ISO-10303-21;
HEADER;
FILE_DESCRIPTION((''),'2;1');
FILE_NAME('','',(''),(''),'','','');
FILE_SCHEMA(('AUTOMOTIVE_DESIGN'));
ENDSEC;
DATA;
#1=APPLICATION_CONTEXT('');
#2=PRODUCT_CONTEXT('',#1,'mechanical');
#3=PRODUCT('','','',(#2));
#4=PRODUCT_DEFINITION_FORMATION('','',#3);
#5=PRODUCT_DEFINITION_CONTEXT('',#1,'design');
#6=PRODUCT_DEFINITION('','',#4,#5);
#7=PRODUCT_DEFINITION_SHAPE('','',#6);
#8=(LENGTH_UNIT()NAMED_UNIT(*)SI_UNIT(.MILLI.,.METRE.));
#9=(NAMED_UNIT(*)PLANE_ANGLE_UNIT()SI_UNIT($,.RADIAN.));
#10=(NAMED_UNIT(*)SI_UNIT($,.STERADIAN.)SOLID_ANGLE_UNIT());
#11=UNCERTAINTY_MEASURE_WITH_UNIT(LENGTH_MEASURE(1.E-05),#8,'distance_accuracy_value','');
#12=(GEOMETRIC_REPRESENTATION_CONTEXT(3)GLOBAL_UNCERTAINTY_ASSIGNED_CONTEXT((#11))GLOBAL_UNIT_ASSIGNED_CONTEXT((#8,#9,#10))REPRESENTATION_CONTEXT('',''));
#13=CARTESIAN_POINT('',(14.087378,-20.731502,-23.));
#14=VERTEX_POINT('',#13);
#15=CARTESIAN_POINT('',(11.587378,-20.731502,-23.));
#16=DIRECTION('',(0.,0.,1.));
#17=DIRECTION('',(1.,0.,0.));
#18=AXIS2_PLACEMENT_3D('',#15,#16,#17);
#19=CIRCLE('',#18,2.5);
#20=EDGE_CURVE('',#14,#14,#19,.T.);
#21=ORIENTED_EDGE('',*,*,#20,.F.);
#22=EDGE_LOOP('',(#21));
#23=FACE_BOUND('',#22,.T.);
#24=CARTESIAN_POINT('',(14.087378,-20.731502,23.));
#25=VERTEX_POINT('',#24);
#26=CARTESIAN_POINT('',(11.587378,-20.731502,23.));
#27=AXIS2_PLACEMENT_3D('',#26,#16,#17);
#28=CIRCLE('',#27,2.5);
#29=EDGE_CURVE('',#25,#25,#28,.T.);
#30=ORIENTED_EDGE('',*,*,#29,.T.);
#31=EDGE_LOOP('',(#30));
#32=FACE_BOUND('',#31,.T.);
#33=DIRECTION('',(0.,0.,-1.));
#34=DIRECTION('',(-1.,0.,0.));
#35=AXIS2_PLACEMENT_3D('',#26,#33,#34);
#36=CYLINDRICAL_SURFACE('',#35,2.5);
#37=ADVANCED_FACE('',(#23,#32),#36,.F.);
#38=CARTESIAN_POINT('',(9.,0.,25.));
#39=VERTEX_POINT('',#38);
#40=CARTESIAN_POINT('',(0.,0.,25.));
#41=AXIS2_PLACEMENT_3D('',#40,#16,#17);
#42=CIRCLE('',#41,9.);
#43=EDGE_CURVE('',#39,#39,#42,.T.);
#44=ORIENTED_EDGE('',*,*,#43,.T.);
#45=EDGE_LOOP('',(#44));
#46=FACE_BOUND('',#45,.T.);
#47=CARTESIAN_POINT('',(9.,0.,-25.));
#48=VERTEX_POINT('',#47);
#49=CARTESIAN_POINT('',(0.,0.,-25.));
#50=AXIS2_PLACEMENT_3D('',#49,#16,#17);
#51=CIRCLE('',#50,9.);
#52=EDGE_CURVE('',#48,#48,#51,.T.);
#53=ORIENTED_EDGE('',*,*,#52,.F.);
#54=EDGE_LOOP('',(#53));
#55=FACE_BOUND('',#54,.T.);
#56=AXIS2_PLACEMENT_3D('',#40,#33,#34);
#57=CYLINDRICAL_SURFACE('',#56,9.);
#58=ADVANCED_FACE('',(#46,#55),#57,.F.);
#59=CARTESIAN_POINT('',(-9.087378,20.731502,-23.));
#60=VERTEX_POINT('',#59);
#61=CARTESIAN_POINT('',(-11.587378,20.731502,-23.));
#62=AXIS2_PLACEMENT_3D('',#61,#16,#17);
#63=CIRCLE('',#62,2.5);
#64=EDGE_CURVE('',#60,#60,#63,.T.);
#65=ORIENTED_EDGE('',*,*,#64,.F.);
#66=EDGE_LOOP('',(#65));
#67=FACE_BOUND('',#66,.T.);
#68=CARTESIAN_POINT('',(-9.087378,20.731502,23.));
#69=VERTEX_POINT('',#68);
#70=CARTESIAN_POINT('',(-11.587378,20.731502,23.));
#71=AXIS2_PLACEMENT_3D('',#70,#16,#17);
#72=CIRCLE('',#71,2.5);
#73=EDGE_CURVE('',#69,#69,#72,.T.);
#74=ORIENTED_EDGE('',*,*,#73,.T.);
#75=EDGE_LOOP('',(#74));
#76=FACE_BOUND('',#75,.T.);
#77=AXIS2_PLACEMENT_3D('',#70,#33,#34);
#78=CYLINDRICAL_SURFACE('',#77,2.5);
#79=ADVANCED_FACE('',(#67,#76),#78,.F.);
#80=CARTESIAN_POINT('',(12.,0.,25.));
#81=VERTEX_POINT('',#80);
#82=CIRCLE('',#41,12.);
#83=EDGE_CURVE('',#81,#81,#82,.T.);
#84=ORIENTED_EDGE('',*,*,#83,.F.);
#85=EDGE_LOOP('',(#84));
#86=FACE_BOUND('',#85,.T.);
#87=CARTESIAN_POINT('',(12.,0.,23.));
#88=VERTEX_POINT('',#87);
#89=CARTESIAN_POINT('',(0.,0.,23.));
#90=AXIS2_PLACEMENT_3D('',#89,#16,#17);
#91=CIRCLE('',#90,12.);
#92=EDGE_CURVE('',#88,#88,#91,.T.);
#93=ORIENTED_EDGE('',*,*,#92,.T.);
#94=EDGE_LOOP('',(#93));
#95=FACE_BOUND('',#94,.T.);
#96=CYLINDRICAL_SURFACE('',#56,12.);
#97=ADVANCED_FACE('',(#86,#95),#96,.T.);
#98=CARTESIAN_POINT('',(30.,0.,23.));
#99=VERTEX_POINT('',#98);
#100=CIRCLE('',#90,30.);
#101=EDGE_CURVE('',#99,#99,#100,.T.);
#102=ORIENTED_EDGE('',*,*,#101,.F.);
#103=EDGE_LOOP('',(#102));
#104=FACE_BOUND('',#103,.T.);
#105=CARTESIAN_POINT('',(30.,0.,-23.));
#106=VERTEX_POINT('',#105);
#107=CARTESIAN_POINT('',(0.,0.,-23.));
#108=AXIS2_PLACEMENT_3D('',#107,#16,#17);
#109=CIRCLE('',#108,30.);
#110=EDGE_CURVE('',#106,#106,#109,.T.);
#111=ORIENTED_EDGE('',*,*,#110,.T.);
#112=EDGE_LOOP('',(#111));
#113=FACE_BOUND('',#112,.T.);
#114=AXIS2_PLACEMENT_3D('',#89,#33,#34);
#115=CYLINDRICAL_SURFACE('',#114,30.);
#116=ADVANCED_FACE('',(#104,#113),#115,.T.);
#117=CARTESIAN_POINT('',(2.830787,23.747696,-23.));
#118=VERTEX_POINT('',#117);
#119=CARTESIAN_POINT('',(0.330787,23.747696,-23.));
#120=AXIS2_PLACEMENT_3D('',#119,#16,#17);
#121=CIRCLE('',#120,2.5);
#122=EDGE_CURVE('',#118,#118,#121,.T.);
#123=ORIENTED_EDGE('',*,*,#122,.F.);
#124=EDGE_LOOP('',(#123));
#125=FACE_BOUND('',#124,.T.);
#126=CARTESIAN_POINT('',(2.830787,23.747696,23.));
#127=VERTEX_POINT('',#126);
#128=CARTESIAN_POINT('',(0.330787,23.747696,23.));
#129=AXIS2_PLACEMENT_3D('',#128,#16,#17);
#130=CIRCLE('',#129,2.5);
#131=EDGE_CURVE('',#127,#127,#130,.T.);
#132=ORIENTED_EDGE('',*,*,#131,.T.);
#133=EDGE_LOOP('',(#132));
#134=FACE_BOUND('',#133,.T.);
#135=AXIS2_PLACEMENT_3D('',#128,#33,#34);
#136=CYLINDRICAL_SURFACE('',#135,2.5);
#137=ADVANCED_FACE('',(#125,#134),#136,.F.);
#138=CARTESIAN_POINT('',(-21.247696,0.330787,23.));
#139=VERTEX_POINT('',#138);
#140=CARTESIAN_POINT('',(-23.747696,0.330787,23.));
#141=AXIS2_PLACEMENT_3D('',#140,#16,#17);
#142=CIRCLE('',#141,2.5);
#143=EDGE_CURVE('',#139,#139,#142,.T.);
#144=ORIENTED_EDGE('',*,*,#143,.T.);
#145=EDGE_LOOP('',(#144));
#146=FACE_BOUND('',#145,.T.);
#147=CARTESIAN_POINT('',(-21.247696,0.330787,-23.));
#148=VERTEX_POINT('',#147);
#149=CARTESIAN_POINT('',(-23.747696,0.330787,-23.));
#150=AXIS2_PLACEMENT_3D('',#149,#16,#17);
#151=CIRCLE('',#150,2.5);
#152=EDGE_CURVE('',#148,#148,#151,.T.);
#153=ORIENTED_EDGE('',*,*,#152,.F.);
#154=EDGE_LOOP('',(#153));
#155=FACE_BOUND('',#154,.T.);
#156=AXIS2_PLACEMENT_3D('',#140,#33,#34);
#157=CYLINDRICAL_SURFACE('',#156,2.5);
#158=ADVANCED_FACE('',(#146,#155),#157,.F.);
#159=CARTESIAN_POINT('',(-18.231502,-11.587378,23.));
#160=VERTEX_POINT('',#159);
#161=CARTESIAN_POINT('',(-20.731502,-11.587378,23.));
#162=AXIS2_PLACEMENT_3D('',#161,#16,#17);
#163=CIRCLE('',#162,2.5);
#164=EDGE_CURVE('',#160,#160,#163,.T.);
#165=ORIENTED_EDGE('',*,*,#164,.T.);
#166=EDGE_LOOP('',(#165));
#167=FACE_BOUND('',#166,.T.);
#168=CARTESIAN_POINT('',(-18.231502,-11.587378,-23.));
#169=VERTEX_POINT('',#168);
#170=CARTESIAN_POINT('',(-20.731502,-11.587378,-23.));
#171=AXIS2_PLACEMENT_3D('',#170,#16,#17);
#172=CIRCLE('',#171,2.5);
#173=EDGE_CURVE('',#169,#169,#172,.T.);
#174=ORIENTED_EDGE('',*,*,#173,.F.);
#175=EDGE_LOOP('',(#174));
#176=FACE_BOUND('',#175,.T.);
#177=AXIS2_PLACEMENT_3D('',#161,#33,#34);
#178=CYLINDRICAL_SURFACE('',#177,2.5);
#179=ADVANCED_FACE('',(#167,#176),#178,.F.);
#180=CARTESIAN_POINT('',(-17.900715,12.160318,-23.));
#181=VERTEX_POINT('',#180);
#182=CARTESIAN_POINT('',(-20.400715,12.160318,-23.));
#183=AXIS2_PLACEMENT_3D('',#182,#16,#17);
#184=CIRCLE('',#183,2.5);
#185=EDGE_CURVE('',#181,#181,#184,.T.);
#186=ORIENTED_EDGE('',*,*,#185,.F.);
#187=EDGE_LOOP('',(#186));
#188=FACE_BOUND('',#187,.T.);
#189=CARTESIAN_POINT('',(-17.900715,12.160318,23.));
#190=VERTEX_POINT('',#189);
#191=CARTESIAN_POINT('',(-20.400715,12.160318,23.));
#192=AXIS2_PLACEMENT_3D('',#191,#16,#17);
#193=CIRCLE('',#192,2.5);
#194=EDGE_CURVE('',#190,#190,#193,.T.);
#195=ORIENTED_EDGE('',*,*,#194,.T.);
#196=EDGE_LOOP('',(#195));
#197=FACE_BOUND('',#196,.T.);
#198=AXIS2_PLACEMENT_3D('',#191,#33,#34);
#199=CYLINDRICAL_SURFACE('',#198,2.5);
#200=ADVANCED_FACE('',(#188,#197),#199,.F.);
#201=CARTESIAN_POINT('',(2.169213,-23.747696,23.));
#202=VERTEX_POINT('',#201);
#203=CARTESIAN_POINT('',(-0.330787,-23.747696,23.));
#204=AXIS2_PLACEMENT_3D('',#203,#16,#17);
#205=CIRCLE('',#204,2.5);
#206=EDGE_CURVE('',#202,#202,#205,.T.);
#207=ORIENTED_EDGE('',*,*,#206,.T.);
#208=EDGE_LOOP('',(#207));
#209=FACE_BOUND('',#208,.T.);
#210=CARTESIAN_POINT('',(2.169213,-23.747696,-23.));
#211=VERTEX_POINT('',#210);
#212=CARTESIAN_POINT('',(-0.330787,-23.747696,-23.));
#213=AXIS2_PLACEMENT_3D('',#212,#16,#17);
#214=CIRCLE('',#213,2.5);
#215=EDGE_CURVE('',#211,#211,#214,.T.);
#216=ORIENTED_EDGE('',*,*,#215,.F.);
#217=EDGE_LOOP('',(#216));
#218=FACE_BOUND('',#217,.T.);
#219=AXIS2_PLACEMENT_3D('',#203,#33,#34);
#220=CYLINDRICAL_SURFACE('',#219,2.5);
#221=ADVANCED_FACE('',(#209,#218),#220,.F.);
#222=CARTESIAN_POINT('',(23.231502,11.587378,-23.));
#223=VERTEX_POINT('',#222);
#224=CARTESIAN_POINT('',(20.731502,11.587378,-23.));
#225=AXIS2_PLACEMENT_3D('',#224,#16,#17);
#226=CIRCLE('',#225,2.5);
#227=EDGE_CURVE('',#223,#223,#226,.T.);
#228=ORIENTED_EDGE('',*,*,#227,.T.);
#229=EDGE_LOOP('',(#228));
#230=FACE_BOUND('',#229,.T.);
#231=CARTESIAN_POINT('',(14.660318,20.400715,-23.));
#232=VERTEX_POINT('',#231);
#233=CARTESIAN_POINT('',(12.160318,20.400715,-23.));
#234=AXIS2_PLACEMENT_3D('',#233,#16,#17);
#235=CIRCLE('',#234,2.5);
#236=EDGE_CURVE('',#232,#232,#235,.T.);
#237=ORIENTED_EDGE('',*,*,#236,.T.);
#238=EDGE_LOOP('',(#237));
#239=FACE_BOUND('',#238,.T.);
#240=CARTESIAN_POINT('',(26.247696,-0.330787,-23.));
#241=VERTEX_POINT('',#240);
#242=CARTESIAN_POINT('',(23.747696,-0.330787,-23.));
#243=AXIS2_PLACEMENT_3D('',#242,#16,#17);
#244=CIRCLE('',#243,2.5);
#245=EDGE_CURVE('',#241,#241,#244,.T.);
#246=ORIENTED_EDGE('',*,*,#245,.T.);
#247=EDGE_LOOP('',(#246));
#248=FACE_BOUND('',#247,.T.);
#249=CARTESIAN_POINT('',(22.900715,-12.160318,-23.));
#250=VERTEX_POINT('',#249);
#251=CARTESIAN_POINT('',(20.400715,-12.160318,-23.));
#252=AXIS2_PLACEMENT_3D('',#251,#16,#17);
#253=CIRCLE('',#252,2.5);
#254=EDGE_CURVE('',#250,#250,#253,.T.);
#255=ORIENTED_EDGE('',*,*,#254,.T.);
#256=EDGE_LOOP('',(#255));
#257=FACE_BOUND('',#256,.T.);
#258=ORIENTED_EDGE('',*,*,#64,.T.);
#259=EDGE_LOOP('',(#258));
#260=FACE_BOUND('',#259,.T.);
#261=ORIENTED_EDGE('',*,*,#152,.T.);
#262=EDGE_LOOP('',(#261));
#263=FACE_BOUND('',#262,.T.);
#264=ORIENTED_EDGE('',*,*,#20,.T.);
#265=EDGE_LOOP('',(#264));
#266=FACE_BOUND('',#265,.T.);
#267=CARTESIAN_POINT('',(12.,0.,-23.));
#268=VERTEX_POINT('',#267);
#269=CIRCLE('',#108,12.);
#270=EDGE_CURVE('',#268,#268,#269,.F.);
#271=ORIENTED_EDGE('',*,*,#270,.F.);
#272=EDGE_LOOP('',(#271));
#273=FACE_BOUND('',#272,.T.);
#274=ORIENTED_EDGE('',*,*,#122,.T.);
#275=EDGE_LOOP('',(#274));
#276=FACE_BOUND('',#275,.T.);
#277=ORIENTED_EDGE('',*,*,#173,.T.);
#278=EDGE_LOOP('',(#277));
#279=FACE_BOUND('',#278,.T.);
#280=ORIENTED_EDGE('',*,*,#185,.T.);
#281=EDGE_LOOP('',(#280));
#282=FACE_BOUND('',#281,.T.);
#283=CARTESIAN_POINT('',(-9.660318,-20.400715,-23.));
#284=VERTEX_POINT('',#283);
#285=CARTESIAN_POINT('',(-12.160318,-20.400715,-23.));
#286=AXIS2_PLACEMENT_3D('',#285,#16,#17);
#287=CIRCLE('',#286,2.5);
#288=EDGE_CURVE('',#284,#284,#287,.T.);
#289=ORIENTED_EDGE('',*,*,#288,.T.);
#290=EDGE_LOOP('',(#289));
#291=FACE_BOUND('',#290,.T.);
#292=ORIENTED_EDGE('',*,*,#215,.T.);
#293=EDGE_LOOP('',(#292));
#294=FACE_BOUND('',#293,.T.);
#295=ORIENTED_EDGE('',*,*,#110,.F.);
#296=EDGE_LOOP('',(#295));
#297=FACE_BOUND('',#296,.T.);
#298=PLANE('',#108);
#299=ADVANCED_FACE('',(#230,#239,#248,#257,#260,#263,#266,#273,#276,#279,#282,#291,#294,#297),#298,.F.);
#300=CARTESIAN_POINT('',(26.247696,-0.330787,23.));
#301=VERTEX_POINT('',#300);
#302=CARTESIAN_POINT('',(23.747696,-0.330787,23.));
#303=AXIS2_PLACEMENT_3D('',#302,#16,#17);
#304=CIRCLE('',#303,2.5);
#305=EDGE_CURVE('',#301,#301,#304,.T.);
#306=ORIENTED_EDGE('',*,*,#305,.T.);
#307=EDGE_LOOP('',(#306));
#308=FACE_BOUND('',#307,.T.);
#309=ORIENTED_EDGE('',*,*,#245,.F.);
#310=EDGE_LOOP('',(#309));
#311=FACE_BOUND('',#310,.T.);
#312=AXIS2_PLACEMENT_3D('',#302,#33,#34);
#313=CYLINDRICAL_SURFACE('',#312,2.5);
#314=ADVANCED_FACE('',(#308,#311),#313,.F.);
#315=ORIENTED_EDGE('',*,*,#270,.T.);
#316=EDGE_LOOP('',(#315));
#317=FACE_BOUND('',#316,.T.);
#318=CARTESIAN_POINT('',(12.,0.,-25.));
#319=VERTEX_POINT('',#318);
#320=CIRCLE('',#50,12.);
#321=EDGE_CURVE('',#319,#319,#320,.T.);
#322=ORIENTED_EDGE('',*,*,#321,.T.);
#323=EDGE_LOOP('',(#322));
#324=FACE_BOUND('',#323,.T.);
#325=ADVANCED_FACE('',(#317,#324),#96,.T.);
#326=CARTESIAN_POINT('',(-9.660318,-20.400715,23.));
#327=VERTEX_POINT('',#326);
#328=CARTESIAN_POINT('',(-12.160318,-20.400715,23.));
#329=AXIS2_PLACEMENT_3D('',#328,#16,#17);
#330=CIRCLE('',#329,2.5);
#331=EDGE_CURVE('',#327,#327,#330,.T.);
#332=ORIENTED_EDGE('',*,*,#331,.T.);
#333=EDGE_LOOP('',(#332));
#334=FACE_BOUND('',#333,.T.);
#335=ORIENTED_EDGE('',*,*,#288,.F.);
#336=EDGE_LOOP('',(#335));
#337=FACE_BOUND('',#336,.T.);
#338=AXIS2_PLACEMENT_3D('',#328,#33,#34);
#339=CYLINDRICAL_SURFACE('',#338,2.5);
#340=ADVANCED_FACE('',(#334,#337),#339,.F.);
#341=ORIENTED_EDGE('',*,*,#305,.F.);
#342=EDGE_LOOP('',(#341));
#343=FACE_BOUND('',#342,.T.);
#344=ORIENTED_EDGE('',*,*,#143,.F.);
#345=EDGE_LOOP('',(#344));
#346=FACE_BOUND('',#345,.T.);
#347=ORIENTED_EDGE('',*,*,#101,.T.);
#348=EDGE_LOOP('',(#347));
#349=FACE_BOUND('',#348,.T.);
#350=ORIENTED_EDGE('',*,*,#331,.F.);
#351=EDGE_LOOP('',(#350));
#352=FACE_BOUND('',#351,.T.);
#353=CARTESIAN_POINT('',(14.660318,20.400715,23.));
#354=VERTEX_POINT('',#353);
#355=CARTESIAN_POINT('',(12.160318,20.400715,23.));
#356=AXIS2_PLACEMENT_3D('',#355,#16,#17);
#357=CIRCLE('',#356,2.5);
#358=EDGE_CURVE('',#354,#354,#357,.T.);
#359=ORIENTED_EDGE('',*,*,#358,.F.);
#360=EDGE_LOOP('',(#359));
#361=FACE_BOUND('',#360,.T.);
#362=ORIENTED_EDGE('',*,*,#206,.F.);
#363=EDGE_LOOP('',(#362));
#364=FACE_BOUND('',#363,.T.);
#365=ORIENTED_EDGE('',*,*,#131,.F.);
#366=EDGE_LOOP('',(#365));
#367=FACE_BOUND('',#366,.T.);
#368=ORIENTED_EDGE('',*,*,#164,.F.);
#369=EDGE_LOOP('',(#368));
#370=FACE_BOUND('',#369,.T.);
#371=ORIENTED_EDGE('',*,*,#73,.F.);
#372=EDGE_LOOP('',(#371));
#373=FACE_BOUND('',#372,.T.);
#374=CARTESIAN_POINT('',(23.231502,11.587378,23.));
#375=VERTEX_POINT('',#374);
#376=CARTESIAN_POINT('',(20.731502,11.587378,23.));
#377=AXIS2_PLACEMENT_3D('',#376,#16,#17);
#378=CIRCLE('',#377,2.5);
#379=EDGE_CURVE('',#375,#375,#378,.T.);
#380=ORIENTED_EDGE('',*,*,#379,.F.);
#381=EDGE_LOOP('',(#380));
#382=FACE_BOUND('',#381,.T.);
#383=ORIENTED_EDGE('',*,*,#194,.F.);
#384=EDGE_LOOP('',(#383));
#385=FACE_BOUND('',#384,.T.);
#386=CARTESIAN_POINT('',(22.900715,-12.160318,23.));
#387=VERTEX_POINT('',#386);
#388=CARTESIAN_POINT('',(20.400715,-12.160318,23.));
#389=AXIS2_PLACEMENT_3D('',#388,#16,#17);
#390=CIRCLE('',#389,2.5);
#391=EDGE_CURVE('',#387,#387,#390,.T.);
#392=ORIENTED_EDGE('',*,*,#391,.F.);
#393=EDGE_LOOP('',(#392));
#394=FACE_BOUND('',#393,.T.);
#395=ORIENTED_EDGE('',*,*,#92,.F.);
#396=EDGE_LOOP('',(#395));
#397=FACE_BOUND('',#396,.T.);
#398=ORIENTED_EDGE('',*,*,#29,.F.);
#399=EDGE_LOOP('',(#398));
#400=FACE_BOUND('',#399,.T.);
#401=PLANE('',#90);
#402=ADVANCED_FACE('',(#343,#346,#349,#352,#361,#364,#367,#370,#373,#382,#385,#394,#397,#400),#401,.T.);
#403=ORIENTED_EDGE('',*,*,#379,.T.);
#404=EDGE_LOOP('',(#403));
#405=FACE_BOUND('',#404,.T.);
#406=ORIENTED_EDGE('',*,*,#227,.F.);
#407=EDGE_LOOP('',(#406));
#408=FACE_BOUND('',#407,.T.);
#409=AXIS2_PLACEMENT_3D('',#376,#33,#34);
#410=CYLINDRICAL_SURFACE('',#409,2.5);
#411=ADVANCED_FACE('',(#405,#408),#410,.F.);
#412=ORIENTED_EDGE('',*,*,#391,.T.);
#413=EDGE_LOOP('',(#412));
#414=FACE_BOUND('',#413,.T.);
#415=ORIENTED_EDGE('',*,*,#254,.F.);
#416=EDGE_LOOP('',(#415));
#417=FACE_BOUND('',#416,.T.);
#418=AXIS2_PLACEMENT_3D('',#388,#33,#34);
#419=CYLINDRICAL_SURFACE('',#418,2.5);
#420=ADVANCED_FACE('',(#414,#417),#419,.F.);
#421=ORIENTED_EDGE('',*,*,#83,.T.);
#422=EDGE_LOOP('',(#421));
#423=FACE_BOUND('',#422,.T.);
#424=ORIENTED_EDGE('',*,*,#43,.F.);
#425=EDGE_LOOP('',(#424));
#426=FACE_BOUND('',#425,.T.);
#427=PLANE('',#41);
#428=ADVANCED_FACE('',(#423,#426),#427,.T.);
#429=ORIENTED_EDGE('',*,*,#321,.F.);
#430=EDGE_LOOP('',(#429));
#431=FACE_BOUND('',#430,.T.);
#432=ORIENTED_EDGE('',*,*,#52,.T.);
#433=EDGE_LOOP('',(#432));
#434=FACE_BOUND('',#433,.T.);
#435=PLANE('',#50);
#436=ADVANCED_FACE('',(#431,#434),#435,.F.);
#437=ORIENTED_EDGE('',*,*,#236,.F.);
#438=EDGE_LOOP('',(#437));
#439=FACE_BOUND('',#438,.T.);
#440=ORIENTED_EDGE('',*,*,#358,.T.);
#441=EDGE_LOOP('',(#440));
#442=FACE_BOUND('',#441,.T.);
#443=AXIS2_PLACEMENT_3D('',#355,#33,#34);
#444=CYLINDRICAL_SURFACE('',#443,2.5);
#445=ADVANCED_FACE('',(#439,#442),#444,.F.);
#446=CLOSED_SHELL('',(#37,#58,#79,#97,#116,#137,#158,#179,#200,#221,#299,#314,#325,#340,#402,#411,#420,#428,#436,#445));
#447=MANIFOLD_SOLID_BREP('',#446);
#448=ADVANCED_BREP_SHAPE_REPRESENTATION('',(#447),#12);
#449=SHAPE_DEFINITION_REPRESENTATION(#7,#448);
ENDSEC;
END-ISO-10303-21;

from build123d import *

# Parameters (mm, degrees)
SKETCH1_R           = 30
SKETCH1_R_2         = 12
SKETCH1_R_3         = 2.5
BOSS_EXTRUDE1_DEPTH = 23
SKETCH2_R           = 12
SKETCH2_R_2         = 9
BOSS_EXTRUDE2_DEPTH = 25


with BuildPart() as part:
    # Sketch1 → Boss-Extrude1 (new body, symmetric)
    with BuildSketch(Plane.XY):
        Circle(SKETCH1_R)
        Circle(SKETCH1_R_2, mode=Mode.SUBTRACT)
        with Locations((0.330787081, 23.747696307)):
            Circle(SKETCH1_R_3, mode=Mode.SUBTRACT)
        with Locations((12.160318169, 20.400714743)):
            Circle(SKETCH1_R_3, mode=Mode.SUBTRACT)
        with Locations((20.731501824, 11.587378139)):
            Circle(SKETCH1_R_3, mode=Mode.SUBTRACT)
        with Locations((23.747696307, -0.330787081)):
            Circle(SKETCH1_R_3, mode=Mode.SUBTRACT)
        with Locations((20.400714743, -12.160318169)):
            Circle(SKETCH1_R_3, mode=Mode.SUBTRACT)
        with Locations((11.587378139, -20.731501824)):
            Circle(SKETCH1_R_3, mode=Mode.SUBTRACT)
        with Locations((-0.330787081, -23.747696307)):
            Circle(SKETCH1_R_3, mode=Mode.SUBTRACT)
        with Locations((-12.160318169, -20.400714743)):
            Circle(SKETCH1_R_3, mode=Mode.SUBTRACT)
        with Locations((-20.731501824, -11.587378139)):
            Circle(SKETCH1_R_3, mode=Mode.SUBTRACT)
        with Locations((-23.747696307, 0.330787081)):
            Circle(SKETCH1_R_3, mode=Mode.SUBTRACT)
        with Locations((-20.400714743, 12.160318169)):
            Circle(SKETCH1_R_3, mode=Mode.SUBTRACT)
        with Locations((-11.587378139, 20.731501824)):
            Circle(SKETCH1_R_3, mode=Mode.SUBTRACT)
    extrude(amount=BOSS_EXTRUDE1_DEPTH, both=True)

    # Sketch2 → Boss-Extrude2 (add, symmetric)
    with BuildSketch(Plane.XY):
        Circle(SKETCH2_R)
        Circle(SKETCH2_R_2, mode=Mode.SUBTRACT)
    extrude(amount=BOSS_EXTRUDE2_DEPTH, both=True)


solid = part.part
